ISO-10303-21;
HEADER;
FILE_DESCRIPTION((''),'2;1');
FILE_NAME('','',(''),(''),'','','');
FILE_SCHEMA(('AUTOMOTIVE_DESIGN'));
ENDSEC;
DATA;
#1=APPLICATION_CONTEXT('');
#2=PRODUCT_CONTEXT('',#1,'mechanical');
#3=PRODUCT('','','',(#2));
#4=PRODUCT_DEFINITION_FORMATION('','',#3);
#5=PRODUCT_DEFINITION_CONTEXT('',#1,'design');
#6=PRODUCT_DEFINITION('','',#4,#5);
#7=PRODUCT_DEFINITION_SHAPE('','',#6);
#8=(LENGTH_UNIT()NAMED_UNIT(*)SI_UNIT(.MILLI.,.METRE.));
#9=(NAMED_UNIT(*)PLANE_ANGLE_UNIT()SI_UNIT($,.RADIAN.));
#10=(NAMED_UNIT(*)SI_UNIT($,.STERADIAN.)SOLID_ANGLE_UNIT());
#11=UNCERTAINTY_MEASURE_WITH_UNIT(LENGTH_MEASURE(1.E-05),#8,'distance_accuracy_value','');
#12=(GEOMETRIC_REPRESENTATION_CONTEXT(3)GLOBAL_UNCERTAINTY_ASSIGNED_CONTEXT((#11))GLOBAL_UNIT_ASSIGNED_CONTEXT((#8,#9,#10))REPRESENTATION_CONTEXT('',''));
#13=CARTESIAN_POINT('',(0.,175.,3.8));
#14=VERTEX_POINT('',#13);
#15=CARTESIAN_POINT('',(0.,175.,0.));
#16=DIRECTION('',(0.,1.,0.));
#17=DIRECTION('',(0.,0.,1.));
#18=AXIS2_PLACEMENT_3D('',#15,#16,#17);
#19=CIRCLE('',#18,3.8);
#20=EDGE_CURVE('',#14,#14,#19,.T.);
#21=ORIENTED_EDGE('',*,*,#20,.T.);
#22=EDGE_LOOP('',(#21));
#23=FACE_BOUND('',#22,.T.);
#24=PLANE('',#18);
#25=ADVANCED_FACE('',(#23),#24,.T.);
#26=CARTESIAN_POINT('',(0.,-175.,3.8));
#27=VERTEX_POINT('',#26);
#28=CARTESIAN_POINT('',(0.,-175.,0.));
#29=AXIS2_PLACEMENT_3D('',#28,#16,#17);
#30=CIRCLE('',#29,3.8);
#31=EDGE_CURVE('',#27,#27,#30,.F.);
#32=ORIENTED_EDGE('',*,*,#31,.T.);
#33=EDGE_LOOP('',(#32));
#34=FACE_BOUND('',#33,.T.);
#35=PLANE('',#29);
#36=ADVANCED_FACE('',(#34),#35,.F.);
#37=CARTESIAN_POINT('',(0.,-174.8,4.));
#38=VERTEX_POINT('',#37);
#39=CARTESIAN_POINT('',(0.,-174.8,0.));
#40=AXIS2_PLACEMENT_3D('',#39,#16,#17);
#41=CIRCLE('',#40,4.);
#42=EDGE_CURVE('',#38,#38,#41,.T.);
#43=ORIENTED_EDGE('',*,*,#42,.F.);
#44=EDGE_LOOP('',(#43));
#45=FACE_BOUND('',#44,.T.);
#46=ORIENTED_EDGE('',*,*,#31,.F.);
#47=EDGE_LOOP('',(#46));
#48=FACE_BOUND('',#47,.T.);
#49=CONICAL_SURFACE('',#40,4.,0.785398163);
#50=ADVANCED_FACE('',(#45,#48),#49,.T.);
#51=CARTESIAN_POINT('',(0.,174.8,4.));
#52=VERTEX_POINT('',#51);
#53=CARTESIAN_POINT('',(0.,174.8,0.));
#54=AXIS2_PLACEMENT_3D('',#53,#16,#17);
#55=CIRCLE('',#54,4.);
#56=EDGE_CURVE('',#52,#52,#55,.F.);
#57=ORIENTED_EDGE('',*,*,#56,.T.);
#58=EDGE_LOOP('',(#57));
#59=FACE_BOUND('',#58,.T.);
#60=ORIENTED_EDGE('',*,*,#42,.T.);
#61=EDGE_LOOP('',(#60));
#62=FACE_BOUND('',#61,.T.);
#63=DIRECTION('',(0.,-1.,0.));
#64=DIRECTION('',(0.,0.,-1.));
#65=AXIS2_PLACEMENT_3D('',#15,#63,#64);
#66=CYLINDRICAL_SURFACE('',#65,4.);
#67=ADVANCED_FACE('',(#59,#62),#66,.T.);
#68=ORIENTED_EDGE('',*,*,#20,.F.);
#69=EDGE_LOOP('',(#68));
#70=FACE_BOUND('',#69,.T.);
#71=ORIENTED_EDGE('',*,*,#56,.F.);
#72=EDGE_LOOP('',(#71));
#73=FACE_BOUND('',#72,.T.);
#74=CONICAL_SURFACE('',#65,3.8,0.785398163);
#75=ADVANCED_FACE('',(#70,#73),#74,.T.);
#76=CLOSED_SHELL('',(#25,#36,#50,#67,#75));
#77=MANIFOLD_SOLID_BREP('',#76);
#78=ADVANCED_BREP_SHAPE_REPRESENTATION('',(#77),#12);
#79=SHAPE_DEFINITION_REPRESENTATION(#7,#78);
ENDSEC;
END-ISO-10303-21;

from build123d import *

# Parameters (mm, degrees)
SKETCH1_R           = 4
BOSS_EXTRUDE1_DEPTH = 175
CHAMFER1_SIZE       = 0.2


with BuildPart() as part:
    # Sketch1 → Boss-Extrude1 (new body, symmetric)
    with BuildSketch(Plane(origin=(0, 0, 0), x_dir=(1, 0, 0), z_dir=(0, 1, 0))):
        Circle(SKETCH1_R)
    extrude(amount=BOSS_EXTRUDE1_DEPTH, both=True)

    # Chamfer1
    chamfer1_edges = [part.edges().sort_by_distance(p)[0] for p in [
        (-4, -175, 0),
        (-4, 175, 0),
    ]]
    chamfer(chamfer1_edges, length=CHAMFER1_SIZE)


solid = part.part
